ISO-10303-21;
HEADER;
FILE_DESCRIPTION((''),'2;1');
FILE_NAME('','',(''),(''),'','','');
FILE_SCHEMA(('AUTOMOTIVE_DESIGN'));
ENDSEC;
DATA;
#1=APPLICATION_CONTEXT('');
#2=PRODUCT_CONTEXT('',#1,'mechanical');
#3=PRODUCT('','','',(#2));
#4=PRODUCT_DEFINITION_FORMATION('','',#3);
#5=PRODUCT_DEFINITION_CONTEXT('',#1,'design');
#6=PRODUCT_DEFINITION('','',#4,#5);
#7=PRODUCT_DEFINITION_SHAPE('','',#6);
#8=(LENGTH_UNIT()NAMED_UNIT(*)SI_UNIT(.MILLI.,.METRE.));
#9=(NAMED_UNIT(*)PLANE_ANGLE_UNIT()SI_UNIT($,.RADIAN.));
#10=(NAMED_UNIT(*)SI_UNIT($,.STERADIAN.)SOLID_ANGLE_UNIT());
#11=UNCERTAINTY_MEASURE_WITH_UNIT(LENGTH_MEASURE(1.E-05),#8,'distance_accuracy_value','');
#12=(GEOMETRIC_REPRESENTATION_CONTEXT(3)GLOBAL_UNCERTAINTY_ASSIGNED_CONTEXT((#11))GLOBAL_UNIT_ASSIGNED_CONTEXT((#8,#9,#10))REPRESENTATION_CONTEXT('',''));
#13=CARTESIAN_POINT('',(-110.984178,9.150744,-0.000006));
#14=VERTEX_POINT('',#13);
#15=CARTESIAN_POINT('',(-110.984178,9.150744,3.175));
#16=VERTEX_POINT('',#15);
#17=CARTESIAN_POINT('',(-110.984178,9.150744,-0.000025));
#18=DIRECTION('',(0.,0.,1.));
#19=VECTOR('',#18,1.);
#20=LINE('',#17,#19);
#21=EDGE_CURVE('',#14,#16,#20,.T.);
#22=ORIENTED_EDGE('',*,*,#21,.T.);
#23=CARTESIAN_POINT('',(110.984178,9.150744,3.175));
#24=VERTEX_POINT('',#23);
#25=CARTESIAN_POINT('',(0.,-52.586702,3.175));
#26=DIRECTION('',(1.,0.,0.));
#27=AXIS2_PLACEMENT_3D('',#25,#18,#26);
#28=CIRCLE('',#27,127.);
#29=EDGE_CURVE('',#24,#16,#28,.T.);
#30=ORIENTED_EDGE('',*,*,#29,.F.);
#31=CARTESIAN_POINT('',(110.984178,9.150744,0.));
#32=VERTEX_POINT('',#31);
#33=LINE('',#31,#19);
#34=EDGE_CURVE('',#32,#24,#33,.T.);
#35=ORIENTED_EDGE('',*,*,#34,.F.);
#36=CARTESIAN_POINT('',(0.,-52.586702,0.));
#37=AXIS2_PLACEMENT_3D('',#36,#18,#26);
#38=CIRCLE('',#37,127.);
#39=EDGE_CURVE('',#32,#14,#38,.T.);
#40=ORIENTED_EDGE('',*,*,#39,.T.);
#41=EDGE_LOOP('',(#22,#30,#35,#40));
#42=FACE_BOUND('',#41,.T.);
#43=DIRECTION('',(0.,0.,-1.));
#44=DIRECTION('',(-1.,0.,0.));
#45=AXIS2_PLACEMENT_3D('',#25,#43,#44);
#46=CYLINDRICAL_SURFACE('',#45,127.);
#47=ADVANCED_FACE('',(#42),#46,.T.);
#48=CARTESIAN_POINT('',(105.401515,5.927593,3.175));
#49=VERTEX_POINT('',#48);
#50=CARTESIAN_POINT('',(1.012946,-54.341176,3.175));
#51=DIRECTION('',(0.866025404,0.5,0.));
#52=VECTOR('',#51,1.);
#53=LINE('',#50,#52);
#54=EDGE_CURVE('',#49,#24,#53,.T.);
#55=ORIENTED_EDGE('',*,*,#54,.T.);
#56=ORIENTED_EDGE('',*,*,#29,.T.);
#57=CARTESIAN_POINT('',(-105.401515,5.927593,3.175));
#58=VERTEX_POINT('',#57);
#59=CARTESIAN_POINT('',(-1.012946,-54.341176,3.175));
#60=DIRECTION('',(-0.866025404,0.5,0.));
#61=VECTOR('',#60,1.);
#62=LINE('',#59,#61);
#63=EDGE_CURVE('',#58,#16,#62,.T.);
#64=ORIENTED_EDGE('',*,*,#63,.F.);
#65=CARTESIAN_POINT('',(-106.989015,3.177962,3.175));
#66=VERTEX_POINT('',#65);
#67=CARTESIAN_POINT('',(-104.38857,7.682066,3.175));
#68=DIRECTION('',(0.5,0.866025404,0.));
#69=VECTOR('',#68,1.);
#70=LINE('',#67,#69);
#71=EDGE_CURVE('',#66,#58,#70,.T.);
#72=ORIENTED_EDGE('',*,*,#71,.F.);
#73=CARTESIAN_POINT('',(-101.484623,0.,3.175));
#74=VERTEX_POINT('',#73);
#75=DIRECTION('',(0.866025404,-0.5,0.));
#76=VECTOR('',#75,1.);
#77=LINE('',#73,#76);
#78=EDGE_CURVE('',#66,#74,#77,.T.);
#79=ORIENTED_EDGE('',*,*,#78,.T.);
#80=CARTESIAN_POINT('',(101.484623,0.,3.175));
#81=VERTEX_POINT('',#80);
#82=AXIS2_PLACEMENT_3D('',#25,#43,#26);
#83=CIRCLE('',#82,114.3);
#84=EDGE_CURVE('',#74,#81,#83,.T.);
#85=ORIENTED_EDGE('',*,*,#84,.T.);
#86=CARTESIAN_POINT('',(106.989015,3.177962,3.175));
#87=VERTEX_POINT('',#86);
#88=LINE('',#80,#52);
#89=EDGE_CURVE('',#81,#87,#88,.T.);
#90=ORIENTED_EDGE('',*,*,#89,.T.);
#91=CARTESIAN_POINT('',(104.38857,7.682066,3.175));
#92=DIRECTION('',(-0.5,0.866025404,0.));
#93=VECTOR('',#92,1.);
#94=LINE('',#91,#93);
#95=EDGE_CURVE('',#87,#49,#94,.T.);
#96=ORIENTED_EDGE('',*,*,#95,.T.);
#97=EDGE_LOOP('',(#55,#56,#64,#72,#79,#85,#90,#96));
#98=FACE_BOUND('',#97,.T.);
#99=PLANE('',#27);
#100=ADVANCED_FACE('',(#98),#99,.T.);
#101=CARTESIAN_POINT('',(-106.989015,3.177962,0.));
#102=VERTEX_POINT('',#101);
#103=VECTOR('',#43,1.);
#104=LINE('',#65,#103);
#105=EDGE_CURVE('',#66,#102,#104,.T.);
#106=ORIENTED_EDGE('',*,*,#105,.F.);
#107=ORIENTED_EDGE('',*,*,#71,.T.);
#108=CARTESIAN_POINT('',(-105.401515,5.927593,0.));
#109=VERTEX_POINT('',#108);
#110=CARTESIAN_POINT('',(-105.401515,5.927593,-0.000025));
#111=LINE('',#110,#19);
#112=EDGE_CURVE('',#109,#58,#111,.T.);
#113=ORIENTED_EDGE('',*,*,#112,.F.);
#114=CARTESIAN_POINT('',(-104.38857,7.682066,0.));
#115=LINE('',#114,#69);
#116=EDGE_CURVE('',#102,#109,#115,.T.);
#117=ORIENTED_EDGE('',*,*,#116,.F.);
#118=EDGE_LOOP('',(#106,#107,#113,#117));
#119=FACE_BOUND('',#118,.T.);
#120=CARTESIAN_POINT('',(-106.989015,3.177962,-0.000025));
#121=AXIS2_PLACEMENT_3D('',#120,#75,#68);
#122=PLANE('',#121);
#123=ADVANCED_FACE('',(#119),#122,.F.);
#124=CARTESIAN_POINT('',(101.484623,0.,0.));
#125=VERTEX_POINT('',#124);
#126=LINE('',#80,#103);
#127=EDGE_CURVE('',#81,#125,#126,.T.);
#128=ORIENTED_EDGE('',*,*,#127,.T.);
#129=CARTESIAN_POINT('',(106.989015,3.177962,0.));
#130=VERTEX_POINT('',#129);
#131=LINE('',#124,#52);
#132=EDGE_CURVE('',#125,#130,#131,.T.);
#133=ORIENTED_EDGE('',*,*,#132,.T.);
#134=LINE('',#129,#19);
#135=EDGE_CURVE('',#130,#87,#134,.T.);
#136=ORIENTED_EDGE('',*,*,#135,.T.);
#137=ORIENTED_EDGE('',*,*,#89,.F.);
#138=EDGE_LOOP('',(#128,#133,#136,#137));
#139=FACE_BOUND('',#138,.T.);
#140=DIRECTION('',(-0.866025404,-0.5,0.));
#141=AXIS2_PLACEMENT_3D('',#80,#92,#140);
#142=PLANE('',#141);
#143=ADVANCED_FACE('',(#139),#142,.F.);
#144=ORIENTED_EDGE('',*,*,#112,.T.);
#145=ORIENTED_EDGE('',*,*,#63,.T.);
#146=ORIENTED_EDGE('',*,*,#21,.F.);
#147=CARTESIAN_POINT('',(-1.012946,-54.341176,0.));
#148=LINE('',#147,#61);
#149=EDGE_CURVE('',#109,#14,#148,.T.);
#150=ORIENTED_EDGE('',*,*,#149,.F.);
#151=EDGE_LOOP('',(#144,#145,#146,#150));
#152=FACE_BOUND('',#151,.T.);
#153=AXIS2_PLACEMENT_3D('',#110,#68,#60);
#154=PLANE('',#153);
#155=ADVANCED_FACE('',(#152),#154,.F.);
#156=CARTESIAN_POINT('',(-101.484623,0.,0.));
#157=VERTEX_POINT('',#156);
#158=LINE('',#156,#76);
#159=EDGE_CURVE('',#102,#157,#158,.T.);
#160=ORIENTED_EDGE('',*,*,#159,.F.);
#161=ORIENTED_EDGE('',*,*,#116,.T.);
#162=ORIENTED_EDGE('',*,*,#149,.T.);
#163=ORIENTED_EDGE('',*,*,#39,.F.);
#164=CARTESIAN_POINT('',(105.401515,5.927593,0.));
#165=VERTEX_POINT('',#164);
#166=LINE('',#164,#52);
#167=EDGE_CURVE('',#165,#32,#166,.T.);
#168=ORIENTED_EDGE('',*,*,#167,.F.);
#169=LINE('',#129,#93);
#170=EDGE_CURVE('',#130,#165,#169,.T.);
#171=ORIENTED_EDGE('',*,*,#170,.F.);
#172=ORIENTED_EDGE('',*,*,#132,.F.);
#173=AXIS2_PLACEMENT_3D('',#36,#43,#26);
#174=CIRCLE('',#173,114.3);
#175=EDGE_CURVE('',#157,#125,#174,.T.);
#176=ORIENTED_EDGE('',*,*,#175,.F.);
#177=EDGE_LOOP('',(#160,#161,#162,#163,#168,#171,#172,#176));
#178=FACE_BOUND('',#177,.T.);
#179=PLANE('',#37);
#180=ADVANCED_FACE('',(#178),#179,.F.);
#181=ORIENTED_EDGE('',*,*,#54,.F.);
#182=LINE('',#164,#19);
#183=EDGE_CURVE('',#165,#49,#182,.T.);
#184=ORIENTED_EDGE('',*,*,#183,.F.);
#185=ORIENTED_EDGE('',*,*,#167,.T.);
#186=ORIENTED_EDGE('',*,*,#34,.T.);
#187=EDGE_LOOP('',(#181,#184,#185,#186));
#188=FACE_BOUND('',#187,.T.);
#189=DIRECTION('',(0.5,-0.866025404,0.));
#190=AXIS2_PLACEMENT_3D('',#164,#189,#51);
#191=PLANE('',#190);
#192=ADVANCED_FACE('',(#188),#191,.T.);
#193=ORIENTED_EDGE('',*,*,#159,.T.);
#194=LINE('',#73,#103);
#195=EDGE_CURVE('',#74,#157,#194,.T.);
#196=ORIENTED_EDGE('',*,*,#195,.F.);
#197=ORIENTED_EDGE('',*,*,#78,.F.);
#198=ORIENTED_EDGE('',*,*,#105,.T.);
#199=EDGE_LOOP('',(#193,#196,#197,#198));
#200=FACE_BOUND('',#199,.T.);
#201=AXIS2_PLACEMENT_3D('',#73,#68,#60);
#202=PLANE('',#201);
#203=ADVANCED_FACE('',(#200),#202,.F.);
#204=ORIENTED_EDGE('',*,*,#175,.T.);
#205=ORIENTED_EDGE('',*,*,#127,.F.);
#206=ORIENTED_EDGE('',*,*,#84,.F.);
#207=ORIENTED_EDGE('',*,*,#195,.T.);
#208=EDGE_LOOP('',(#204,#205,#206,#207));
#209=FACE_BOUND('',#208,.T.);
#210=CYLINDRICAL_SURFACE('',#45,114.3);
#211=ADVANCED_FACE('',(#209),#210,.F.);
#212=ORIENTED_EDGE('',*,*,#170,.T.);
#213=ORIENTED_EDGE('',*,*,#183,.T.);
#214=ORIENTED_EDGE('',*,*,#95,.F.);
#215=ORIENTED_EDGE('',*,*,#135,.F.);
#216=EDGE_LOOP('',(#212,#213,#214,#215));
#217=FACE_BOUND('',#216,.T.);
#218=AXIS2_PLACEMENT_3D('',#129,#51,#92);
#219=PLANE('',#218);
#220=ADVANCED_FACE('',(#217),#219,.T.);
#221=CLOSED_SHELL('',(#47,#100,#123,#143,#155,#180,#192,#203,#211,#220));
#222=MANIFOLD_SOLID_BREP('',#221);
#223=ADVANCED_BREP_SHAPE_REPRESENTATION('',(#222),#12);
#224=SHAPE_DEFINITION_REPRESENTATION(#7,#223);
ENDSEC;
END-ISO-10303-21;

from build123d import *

# Parameters (mm, degrees)
BOSS_EXTRUDE1_DEPTH = 3.175
CUT_EXTRUDE1_DEPTH  = 135.915478092


with BuildPart() as part:
    # Sketch1 → Boss-Extrude1 (new body)
    with BuildSketch(Plane.XY):
        with BuildLine():
            Line((-101.484623167, 0), (-112.493407504, 6.355924601))
            ThreePointArc((-112.493407504, 6.355924601), (0, 74.413297682), (112.493407504, 6.355924601))
            Line((112.493407504, 6.355924601), (101.484623167, 0))
            ThreePointArc((101.484623167, 0), (0, 61.713297682), (-101.484623167, 0))
        make_face()
    extrude(amount=BOSS_EXTRUDE1_DEPTH)

    # Sketch2 → Cut-Extrude1 (cut, symmetric)
    with BuildSketch(Plane.XY.offset(3.175)):
        with BuildLine():
            Line((112.493407504, 6.355924601), (106.989015336, 3.1779623))
            Line((106.989015336, 3.1779623), (105.401515336, 5.927592957))
            Line((105.401515336, 5.927592957), (110.984177534, 9.15074448))
            ThreePointArc((110.984177534, 9.15074448), (111.747530211, 7.758052979), (112.493407504, 6.355924601))
        make_face()
    cut_extrude1 = extrude(amount=CUT_EXTRUDE1_DEPTH, both=True, mode=Mode.SUBTRACT)

    # Mirror1: Cut-Extrude1 across plane
    add(cut_extrude1.mirror(Plane(origin=(0, 0, 0), x_dir=(0, 0, 1), z_dir=(1, 0, 0))), mode=Mode.SUBTRACT)


solid = part.part
